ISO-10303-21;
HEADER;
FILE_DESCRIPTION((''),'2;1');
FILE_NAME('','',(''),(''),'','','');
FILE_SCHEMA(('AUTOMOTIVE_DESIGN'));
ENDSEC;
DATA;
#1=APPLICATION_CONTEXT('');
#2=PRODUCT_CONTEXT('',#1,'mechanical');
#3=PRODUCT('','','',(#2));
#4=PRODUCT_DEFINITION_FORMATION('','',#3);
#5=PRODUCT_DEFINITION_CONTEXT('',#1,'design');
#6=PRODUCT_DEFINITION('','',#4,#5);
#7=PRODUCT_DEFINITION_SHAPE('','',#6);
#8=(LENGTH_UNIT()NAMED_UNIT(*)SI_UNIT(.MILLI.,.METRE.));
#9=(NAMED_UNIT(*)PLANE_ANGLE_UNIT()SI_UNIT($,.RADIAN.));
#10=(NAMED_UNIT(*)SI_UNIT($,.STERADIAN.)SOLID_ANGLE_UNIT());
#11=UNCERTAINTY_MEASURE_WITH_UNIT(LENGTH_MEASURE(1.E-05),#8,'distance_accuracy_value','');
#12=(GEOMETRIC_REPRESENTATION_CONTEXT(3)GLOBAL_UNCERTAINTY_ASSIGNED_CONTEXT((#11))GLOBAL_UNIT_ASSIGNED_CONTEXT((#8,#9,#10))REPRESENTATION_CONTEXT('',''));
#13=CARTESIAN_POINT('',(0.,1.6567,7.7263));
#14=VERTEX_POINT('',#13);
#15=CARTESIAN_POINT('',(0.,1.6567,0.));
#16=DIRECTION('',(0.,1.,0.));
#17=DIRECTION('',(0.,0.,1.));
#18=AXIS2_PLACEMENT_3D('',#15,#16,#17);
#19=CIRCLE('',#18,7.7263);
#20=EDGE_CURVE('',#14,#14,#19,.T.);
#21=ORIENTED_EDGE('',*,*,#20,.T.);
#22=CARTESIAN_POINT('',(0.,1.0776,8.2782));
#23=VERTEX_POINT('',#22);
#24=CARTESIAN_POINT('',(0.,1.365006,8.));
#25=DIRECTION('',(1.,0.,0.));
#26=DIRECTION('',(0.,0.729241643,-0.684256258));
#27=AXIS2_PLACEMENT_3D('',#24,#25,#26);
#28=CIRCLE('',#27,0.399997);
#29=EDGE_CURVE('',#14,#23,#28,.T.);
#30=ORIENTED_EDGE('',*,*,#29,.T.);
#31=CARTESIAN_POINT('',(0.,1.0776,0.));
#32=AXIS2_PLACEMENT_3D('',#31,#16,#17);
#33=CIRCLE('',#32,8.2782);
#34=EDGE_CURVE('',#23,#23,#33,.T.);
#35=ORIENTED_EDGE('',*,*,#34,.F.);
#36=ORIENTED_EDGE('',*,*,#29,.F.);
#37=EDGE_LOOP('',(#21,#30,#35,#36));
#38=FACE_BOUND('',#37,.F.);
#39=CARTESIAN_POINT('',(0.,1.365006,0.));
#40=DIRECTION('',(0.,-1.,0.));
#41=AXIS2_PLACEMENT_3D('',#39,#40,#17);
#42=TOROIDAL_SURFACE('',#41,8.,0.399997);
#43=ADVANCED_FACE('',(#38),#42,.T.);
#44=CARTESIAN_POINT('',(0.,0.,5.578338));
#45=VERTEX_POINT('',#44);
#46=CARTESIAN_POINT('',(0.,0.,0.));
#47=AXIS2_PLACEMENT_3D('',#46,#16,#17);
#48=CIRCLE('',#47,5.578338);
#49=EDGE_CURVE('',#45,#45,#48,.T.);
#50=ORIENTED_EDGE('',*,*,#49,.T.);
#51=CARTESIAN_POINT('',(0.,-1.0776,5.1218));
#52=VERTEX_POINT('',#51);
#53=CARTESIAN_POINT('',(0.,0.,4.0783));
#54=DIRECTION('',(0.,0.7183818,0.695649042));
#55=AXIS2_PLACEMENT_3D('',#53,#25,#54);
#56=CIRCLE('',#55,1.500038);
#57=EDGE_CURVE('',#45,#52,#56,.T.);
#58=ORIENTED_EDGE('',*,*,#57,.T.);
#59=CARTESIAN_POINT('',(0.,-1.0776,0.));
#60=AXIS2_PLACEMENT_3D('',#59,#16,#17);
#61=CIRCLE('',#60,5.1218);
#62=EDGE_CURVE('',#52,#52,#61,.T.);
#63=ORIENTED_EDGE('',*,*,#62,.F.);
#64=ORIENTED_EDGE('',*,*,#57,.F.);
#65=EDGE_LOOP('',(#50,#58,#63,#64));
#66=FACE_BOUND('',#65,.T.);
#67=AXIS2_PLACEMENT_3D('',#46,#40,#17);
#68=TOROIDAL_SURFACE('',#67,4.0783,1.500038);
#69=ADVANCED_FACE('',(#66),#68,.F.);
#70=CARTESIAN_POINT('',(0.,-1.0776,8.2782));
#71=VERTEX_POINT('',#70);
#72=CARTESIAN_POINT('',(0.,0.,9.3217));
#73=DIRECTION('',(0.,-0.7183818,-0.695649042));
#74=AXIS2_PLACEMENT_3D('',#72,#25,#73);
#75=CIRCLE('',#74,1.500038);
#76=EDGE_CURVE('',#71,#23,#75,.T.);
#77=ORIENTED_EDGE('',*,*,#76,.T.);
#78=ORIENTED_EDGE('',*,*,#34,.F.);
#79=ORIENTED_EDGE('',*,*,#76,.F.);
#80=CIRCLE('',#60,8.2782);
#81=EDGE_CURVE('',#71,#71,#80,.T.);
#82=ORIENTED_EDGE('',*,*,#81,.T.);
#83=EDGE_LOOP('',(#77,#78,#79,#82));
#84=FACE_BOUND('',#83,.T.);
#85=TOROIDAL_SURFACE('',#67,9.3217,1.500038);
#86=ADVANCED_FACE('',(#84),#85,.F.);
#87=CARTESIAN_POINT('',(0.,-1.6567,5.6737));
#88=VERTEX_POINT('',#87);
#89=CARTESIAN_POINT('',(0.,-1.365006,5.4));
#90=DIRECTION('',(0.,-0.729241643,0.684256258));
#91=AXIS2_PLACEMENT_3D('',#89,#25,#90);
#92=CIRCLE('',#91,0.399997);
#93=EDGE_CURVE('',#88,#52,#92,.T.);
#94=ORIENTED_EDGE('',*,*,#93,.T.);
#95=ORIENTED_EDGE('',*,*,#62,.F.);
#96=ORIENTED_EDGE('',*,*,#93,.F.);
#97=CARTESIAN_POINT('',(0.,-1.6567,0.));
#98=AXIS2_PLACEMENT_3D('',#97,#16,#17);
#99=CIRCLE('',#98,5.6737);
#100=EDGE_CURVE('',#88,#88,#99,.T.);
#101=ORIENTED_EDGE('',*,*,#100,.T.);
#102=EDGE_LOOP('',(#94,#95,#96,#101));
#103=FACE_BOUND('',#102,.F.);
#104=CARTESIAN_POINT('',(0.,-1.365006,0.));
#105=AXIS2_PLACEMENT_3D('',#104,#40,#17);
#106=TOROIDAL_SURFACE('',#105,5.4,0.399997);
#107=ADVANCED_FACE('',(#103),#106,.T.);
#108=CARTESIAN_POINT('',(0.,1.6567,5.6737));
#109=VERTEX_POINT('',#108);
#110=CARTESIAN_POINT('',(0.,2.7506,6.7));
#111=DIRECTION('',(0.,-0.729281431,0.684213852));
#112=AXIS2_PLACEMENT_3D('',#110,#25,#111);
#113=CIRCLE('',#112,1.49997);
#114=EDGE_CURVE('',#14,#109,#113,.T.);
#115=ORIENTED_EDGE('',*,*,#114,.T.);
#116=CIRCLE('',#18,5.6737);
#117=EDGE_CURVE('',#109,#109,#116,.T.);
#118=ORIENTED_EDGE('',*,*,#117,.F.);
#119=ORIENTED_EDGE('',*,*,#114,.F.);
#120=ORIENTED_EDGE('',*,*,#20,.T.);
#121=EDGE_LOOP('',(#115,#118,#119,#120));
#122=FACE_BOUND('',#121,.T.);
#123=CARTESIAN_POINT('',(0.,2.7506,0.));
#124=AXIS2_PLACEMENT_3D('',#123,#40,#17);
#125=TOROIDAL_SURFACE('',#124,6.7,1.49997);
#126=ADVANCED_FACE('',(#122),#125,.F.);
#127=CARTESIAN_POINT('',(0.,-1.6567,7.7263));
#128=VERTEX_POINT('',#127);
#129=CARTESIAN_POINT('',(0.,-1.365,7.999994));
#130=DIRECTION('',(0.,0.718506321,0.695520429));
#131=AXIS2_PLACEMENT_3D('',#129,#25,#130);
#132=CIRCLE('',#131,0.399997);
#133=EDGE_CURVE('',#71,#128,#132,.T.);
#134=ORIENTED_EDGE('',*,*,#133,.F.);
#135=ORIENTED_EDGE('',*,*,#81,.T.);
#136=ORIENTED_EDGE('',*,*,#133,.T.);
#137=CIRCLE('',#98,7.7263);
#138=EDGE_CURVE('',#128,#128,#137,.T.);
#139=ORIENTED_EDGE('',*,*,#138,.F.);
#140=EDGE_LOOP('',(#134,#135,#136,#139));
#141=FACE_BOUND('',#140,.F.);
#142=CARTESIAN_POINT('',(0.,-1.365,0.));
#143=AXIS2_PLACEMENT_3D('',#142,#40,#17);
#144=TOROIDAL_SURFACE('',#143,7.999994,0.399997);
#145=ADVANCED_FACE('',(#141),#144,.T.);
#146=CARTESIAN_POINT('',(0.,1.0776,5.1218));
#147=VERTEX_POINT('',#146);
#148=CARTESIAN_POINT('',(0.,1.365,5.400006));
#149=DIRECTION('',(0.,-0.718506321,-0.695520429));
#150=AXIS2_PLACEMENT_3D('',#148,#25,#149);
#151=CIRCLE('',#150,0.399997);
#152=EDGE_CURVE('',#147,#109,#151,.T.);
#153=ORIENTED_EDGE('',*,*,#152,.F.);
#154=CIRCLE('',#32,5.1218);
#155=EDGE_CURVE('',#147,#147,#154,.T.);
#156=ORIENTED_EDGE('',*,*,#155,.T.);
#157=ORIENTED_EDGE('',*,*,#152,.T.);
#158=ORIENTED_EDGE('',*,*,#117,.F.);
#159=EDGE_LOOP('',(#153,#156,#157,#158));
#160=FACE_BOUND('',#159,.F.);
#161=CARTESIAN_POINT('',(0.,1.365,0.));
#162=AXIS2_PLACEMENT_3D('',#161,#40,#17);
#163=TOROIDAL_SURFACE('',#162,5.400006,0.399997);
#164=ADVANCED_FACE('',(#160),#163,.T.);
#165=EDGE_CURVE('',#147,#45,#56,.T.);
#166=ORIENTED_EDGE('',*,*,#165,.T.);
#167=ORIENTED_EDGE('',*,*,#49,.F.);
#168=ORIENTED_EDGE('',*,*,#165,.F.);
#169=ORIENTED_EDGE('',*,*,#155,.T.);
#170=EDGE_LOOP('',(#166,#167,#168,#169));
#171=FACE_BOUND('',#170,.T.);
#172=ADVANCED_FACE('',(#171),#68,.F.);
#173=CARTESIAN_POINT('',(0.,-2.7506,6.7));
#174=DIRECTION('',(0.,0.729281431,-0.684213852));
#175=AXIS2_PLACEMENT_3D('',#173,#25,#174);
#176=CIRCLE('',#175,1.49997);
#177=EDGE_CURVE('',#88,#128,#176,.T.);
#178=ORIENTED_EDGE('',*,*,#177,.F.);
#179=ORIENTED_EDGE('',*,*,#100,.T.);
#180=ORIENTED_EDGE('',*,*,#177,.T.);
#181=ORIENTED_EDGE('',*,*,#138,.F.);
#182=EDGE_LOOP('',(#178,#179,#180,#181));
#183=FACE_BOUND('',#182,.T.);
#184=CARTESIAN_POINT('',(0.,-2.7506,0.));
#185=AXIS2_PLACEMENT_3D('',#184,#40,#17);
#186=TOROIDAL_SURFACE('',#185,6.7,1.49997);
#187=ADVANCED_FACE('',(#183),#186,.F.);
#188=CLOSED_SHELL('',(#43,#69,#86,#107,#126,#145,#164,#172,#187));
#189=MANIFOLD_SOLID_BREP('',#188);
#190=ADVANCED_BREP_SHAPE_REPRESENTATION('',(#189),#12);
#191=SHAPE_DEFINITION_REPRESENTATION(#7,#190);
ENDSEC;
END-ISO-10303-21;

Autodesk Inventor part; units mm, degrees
ref_plane "YZ Plane" through (0, 0, 0) normal (1, 0, 0) x (0, 1, 0)
ref_plane "XZ Plane" through (0, 0, 0) normal (0, 1, 0) x (-1, 0, 0)
ref_plane "XY Plane" through (0, 0, 0) normal (0, 0, 1) x (1, 0, 0)
sketch "Skizze1" plane through (0, 0, 0) normal (1, 0, 0) x (0, 1, 0)
  arc A0 (-1.0776, 8.2782) -> (-1.6567, 7.7263) centre (-1.365, 8) ccw
  arc A1 (-1.0776, 8.2782) -> (1.0776, 8.2782) centre (0, 9.3217) ccw
  arc A2 (1.6567, 7.7263) -> (1.0776, 8.2782) centre (1.365, 8) ccw
  arc A3 (1.6567, 7.7263) -> (1.6567, 5.6737) centre (2.7506, 6.7) ccw
  arc A4 (1.0776, 5.1218) -> (1.6567, 5.6737) centre (1.365, 5.4) ccw
  arc A5 (1.0776, 5.1218) -> (-1.0776, 5.1218) centre (0, 4.0783) ccw
  arc A6 (-1.6567, 5.6737) -> (-1.0776, 5.1218) centre (-1.365, 5.4) ccw
  arc A7 (-1.6567, 5.6737) -> (-1.6567, 7.7263) centre (-2.7506, 6.7) ccw
  line L0 (-1.365, 8) -> (1.365, 8) construction
  line L1 (1.365, 8) -> (1.365, 5.4) construction
  line L2 (1.365, 5.4) -> (-1.365, 5.4) construction
  line L3 (-1.365, 5.4) -> (-1.365, 8) construction
  line L4 (0, 11.186) -> (0, -1.8643) projected
  line L5 (-3.8509, 0) -> (3.8509, 0) construction
  line L6 (0, 8) -> (0, 5.4) construction
  line L7 (-1.365, 6.7) -> (1.365, 6.7) construction
  line L8 (-1.365, 8) -> (-1.765, 8) construction
  line L9 (-1.365, 5.4) -> (-1.765, 5.4) construction
  line L10 (-1.765, 5.4) -> (-1.765, 8) construction
  line L11 (-1.365, 8) -> (-1.365, 8.4) construction
  line L12 (-1.365, 5.4) -> (-1.365, 5) construction
  line L13 (1.365, 5.4) -> (1.365, 5) construction
  line L14 (-1.365, 5) -> (1.365, 5) construction
  line L15 (1.365, 8) -> (1.765, 8) construction
  line L16 (1.365, 5.4) -> (1.765, 5.4) construction
  line L17 (-1.365, 8.4) -> (1.365, 8.4) construction
  point P0 (0, 0)
  dimension "d0" = 3.4
  dimension "d1" = 10
  dimension "d2" = 3.53
  dimension "d3" = 1.5
  dimension "d4" = 0.4
revolve "Umdrehung1" add sketch "Skizze1" angle 360 about axis through (0, 0, 0) along (0, 1, 0)
properties part number "X-Ring 9.12x3.53" material "Gummi, Silikon"
